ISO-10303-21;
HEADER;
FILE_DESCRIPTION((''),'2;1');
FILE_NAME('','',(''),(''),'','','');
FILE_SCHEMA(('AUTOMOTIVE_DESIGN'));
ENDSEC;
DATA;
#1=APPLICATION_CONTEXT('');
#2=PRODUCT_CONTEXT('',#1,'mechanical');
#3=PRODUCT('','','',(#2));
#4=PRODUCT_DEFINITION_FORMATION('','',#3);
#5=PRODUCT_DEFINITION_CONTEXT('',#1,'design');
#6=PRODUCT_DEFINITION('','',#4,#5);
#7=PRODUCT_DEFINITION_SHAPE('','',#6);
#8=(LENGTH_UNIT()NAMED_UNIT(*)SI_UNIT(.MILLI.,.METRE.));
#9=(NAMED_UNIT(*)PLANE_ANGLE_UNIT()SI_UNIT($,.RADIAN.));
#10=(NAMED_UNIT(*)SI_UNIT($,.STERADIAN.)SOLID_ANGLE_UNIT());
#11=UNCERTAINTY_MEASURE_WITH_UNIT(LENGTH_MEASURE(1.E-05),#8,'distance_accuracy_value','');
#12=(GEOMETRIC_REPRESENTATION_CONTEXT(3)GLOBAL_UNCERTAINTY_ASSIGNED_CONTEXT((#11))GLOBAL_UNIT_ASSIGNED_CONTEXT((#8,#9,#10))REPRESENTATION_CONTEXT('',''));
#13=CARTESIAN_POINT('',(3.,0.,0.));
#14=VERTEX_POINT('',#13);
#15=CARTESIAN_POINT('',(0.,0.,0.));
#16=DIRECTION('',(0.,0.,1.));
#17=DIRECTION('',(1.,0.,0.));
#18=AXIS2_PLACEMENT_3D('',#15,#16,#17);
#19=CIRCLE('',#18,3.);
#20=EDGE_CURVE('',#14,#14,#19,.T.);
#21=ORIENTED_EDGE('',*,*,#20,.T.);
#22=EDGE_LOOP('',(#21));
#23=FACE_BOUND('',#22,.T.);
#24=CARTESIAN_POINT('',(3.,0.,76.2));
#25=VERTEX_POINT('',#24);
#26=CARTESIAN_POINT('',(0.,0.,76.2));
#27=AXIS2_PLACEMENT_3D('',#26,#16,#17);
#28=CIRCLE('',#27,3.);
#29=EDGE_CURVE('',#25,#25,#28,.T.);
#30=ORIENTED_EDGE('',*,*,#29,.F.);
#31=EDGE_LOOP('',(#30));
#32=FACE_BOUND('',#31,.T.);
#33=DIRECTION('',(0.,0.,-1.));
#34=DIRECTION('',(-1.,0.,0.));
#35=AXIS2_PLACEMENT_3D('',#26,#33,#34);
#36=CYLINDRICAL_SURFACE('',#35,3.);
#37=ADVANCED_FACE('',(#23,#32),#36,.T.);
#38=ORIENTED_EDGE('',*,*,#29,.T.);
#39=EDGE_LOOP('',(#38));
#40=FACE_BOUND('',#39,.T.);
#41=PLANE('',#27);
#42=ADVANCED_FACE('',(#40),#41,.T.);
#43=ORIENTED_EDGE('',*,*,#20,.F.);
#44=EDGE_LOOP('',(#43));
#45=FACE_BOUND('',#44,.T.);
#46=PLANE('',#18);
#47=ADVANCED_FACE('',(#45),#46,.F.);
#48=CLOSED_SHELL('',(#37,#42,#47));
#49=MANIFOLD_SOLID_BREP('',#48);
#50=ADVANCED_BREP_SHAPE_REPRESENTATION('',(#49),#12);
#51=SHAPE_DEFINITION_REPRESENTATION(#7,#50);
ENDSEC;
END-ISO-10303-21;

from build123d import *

# Parameters (mm, degrees)
SKETCH1_R           = 3
BOSS_EXTRUDE1_DEPTH = 76.2


with BuildPart() as part:
    # Sketch1 → Boss-Extrude1 (new body)
    with BuildSketch(Plane.XY):
        Circle(SKETCH1_R)
    extrude(amount=BOSS_EXTRUDE1_DEPTH)


solid = part.part
